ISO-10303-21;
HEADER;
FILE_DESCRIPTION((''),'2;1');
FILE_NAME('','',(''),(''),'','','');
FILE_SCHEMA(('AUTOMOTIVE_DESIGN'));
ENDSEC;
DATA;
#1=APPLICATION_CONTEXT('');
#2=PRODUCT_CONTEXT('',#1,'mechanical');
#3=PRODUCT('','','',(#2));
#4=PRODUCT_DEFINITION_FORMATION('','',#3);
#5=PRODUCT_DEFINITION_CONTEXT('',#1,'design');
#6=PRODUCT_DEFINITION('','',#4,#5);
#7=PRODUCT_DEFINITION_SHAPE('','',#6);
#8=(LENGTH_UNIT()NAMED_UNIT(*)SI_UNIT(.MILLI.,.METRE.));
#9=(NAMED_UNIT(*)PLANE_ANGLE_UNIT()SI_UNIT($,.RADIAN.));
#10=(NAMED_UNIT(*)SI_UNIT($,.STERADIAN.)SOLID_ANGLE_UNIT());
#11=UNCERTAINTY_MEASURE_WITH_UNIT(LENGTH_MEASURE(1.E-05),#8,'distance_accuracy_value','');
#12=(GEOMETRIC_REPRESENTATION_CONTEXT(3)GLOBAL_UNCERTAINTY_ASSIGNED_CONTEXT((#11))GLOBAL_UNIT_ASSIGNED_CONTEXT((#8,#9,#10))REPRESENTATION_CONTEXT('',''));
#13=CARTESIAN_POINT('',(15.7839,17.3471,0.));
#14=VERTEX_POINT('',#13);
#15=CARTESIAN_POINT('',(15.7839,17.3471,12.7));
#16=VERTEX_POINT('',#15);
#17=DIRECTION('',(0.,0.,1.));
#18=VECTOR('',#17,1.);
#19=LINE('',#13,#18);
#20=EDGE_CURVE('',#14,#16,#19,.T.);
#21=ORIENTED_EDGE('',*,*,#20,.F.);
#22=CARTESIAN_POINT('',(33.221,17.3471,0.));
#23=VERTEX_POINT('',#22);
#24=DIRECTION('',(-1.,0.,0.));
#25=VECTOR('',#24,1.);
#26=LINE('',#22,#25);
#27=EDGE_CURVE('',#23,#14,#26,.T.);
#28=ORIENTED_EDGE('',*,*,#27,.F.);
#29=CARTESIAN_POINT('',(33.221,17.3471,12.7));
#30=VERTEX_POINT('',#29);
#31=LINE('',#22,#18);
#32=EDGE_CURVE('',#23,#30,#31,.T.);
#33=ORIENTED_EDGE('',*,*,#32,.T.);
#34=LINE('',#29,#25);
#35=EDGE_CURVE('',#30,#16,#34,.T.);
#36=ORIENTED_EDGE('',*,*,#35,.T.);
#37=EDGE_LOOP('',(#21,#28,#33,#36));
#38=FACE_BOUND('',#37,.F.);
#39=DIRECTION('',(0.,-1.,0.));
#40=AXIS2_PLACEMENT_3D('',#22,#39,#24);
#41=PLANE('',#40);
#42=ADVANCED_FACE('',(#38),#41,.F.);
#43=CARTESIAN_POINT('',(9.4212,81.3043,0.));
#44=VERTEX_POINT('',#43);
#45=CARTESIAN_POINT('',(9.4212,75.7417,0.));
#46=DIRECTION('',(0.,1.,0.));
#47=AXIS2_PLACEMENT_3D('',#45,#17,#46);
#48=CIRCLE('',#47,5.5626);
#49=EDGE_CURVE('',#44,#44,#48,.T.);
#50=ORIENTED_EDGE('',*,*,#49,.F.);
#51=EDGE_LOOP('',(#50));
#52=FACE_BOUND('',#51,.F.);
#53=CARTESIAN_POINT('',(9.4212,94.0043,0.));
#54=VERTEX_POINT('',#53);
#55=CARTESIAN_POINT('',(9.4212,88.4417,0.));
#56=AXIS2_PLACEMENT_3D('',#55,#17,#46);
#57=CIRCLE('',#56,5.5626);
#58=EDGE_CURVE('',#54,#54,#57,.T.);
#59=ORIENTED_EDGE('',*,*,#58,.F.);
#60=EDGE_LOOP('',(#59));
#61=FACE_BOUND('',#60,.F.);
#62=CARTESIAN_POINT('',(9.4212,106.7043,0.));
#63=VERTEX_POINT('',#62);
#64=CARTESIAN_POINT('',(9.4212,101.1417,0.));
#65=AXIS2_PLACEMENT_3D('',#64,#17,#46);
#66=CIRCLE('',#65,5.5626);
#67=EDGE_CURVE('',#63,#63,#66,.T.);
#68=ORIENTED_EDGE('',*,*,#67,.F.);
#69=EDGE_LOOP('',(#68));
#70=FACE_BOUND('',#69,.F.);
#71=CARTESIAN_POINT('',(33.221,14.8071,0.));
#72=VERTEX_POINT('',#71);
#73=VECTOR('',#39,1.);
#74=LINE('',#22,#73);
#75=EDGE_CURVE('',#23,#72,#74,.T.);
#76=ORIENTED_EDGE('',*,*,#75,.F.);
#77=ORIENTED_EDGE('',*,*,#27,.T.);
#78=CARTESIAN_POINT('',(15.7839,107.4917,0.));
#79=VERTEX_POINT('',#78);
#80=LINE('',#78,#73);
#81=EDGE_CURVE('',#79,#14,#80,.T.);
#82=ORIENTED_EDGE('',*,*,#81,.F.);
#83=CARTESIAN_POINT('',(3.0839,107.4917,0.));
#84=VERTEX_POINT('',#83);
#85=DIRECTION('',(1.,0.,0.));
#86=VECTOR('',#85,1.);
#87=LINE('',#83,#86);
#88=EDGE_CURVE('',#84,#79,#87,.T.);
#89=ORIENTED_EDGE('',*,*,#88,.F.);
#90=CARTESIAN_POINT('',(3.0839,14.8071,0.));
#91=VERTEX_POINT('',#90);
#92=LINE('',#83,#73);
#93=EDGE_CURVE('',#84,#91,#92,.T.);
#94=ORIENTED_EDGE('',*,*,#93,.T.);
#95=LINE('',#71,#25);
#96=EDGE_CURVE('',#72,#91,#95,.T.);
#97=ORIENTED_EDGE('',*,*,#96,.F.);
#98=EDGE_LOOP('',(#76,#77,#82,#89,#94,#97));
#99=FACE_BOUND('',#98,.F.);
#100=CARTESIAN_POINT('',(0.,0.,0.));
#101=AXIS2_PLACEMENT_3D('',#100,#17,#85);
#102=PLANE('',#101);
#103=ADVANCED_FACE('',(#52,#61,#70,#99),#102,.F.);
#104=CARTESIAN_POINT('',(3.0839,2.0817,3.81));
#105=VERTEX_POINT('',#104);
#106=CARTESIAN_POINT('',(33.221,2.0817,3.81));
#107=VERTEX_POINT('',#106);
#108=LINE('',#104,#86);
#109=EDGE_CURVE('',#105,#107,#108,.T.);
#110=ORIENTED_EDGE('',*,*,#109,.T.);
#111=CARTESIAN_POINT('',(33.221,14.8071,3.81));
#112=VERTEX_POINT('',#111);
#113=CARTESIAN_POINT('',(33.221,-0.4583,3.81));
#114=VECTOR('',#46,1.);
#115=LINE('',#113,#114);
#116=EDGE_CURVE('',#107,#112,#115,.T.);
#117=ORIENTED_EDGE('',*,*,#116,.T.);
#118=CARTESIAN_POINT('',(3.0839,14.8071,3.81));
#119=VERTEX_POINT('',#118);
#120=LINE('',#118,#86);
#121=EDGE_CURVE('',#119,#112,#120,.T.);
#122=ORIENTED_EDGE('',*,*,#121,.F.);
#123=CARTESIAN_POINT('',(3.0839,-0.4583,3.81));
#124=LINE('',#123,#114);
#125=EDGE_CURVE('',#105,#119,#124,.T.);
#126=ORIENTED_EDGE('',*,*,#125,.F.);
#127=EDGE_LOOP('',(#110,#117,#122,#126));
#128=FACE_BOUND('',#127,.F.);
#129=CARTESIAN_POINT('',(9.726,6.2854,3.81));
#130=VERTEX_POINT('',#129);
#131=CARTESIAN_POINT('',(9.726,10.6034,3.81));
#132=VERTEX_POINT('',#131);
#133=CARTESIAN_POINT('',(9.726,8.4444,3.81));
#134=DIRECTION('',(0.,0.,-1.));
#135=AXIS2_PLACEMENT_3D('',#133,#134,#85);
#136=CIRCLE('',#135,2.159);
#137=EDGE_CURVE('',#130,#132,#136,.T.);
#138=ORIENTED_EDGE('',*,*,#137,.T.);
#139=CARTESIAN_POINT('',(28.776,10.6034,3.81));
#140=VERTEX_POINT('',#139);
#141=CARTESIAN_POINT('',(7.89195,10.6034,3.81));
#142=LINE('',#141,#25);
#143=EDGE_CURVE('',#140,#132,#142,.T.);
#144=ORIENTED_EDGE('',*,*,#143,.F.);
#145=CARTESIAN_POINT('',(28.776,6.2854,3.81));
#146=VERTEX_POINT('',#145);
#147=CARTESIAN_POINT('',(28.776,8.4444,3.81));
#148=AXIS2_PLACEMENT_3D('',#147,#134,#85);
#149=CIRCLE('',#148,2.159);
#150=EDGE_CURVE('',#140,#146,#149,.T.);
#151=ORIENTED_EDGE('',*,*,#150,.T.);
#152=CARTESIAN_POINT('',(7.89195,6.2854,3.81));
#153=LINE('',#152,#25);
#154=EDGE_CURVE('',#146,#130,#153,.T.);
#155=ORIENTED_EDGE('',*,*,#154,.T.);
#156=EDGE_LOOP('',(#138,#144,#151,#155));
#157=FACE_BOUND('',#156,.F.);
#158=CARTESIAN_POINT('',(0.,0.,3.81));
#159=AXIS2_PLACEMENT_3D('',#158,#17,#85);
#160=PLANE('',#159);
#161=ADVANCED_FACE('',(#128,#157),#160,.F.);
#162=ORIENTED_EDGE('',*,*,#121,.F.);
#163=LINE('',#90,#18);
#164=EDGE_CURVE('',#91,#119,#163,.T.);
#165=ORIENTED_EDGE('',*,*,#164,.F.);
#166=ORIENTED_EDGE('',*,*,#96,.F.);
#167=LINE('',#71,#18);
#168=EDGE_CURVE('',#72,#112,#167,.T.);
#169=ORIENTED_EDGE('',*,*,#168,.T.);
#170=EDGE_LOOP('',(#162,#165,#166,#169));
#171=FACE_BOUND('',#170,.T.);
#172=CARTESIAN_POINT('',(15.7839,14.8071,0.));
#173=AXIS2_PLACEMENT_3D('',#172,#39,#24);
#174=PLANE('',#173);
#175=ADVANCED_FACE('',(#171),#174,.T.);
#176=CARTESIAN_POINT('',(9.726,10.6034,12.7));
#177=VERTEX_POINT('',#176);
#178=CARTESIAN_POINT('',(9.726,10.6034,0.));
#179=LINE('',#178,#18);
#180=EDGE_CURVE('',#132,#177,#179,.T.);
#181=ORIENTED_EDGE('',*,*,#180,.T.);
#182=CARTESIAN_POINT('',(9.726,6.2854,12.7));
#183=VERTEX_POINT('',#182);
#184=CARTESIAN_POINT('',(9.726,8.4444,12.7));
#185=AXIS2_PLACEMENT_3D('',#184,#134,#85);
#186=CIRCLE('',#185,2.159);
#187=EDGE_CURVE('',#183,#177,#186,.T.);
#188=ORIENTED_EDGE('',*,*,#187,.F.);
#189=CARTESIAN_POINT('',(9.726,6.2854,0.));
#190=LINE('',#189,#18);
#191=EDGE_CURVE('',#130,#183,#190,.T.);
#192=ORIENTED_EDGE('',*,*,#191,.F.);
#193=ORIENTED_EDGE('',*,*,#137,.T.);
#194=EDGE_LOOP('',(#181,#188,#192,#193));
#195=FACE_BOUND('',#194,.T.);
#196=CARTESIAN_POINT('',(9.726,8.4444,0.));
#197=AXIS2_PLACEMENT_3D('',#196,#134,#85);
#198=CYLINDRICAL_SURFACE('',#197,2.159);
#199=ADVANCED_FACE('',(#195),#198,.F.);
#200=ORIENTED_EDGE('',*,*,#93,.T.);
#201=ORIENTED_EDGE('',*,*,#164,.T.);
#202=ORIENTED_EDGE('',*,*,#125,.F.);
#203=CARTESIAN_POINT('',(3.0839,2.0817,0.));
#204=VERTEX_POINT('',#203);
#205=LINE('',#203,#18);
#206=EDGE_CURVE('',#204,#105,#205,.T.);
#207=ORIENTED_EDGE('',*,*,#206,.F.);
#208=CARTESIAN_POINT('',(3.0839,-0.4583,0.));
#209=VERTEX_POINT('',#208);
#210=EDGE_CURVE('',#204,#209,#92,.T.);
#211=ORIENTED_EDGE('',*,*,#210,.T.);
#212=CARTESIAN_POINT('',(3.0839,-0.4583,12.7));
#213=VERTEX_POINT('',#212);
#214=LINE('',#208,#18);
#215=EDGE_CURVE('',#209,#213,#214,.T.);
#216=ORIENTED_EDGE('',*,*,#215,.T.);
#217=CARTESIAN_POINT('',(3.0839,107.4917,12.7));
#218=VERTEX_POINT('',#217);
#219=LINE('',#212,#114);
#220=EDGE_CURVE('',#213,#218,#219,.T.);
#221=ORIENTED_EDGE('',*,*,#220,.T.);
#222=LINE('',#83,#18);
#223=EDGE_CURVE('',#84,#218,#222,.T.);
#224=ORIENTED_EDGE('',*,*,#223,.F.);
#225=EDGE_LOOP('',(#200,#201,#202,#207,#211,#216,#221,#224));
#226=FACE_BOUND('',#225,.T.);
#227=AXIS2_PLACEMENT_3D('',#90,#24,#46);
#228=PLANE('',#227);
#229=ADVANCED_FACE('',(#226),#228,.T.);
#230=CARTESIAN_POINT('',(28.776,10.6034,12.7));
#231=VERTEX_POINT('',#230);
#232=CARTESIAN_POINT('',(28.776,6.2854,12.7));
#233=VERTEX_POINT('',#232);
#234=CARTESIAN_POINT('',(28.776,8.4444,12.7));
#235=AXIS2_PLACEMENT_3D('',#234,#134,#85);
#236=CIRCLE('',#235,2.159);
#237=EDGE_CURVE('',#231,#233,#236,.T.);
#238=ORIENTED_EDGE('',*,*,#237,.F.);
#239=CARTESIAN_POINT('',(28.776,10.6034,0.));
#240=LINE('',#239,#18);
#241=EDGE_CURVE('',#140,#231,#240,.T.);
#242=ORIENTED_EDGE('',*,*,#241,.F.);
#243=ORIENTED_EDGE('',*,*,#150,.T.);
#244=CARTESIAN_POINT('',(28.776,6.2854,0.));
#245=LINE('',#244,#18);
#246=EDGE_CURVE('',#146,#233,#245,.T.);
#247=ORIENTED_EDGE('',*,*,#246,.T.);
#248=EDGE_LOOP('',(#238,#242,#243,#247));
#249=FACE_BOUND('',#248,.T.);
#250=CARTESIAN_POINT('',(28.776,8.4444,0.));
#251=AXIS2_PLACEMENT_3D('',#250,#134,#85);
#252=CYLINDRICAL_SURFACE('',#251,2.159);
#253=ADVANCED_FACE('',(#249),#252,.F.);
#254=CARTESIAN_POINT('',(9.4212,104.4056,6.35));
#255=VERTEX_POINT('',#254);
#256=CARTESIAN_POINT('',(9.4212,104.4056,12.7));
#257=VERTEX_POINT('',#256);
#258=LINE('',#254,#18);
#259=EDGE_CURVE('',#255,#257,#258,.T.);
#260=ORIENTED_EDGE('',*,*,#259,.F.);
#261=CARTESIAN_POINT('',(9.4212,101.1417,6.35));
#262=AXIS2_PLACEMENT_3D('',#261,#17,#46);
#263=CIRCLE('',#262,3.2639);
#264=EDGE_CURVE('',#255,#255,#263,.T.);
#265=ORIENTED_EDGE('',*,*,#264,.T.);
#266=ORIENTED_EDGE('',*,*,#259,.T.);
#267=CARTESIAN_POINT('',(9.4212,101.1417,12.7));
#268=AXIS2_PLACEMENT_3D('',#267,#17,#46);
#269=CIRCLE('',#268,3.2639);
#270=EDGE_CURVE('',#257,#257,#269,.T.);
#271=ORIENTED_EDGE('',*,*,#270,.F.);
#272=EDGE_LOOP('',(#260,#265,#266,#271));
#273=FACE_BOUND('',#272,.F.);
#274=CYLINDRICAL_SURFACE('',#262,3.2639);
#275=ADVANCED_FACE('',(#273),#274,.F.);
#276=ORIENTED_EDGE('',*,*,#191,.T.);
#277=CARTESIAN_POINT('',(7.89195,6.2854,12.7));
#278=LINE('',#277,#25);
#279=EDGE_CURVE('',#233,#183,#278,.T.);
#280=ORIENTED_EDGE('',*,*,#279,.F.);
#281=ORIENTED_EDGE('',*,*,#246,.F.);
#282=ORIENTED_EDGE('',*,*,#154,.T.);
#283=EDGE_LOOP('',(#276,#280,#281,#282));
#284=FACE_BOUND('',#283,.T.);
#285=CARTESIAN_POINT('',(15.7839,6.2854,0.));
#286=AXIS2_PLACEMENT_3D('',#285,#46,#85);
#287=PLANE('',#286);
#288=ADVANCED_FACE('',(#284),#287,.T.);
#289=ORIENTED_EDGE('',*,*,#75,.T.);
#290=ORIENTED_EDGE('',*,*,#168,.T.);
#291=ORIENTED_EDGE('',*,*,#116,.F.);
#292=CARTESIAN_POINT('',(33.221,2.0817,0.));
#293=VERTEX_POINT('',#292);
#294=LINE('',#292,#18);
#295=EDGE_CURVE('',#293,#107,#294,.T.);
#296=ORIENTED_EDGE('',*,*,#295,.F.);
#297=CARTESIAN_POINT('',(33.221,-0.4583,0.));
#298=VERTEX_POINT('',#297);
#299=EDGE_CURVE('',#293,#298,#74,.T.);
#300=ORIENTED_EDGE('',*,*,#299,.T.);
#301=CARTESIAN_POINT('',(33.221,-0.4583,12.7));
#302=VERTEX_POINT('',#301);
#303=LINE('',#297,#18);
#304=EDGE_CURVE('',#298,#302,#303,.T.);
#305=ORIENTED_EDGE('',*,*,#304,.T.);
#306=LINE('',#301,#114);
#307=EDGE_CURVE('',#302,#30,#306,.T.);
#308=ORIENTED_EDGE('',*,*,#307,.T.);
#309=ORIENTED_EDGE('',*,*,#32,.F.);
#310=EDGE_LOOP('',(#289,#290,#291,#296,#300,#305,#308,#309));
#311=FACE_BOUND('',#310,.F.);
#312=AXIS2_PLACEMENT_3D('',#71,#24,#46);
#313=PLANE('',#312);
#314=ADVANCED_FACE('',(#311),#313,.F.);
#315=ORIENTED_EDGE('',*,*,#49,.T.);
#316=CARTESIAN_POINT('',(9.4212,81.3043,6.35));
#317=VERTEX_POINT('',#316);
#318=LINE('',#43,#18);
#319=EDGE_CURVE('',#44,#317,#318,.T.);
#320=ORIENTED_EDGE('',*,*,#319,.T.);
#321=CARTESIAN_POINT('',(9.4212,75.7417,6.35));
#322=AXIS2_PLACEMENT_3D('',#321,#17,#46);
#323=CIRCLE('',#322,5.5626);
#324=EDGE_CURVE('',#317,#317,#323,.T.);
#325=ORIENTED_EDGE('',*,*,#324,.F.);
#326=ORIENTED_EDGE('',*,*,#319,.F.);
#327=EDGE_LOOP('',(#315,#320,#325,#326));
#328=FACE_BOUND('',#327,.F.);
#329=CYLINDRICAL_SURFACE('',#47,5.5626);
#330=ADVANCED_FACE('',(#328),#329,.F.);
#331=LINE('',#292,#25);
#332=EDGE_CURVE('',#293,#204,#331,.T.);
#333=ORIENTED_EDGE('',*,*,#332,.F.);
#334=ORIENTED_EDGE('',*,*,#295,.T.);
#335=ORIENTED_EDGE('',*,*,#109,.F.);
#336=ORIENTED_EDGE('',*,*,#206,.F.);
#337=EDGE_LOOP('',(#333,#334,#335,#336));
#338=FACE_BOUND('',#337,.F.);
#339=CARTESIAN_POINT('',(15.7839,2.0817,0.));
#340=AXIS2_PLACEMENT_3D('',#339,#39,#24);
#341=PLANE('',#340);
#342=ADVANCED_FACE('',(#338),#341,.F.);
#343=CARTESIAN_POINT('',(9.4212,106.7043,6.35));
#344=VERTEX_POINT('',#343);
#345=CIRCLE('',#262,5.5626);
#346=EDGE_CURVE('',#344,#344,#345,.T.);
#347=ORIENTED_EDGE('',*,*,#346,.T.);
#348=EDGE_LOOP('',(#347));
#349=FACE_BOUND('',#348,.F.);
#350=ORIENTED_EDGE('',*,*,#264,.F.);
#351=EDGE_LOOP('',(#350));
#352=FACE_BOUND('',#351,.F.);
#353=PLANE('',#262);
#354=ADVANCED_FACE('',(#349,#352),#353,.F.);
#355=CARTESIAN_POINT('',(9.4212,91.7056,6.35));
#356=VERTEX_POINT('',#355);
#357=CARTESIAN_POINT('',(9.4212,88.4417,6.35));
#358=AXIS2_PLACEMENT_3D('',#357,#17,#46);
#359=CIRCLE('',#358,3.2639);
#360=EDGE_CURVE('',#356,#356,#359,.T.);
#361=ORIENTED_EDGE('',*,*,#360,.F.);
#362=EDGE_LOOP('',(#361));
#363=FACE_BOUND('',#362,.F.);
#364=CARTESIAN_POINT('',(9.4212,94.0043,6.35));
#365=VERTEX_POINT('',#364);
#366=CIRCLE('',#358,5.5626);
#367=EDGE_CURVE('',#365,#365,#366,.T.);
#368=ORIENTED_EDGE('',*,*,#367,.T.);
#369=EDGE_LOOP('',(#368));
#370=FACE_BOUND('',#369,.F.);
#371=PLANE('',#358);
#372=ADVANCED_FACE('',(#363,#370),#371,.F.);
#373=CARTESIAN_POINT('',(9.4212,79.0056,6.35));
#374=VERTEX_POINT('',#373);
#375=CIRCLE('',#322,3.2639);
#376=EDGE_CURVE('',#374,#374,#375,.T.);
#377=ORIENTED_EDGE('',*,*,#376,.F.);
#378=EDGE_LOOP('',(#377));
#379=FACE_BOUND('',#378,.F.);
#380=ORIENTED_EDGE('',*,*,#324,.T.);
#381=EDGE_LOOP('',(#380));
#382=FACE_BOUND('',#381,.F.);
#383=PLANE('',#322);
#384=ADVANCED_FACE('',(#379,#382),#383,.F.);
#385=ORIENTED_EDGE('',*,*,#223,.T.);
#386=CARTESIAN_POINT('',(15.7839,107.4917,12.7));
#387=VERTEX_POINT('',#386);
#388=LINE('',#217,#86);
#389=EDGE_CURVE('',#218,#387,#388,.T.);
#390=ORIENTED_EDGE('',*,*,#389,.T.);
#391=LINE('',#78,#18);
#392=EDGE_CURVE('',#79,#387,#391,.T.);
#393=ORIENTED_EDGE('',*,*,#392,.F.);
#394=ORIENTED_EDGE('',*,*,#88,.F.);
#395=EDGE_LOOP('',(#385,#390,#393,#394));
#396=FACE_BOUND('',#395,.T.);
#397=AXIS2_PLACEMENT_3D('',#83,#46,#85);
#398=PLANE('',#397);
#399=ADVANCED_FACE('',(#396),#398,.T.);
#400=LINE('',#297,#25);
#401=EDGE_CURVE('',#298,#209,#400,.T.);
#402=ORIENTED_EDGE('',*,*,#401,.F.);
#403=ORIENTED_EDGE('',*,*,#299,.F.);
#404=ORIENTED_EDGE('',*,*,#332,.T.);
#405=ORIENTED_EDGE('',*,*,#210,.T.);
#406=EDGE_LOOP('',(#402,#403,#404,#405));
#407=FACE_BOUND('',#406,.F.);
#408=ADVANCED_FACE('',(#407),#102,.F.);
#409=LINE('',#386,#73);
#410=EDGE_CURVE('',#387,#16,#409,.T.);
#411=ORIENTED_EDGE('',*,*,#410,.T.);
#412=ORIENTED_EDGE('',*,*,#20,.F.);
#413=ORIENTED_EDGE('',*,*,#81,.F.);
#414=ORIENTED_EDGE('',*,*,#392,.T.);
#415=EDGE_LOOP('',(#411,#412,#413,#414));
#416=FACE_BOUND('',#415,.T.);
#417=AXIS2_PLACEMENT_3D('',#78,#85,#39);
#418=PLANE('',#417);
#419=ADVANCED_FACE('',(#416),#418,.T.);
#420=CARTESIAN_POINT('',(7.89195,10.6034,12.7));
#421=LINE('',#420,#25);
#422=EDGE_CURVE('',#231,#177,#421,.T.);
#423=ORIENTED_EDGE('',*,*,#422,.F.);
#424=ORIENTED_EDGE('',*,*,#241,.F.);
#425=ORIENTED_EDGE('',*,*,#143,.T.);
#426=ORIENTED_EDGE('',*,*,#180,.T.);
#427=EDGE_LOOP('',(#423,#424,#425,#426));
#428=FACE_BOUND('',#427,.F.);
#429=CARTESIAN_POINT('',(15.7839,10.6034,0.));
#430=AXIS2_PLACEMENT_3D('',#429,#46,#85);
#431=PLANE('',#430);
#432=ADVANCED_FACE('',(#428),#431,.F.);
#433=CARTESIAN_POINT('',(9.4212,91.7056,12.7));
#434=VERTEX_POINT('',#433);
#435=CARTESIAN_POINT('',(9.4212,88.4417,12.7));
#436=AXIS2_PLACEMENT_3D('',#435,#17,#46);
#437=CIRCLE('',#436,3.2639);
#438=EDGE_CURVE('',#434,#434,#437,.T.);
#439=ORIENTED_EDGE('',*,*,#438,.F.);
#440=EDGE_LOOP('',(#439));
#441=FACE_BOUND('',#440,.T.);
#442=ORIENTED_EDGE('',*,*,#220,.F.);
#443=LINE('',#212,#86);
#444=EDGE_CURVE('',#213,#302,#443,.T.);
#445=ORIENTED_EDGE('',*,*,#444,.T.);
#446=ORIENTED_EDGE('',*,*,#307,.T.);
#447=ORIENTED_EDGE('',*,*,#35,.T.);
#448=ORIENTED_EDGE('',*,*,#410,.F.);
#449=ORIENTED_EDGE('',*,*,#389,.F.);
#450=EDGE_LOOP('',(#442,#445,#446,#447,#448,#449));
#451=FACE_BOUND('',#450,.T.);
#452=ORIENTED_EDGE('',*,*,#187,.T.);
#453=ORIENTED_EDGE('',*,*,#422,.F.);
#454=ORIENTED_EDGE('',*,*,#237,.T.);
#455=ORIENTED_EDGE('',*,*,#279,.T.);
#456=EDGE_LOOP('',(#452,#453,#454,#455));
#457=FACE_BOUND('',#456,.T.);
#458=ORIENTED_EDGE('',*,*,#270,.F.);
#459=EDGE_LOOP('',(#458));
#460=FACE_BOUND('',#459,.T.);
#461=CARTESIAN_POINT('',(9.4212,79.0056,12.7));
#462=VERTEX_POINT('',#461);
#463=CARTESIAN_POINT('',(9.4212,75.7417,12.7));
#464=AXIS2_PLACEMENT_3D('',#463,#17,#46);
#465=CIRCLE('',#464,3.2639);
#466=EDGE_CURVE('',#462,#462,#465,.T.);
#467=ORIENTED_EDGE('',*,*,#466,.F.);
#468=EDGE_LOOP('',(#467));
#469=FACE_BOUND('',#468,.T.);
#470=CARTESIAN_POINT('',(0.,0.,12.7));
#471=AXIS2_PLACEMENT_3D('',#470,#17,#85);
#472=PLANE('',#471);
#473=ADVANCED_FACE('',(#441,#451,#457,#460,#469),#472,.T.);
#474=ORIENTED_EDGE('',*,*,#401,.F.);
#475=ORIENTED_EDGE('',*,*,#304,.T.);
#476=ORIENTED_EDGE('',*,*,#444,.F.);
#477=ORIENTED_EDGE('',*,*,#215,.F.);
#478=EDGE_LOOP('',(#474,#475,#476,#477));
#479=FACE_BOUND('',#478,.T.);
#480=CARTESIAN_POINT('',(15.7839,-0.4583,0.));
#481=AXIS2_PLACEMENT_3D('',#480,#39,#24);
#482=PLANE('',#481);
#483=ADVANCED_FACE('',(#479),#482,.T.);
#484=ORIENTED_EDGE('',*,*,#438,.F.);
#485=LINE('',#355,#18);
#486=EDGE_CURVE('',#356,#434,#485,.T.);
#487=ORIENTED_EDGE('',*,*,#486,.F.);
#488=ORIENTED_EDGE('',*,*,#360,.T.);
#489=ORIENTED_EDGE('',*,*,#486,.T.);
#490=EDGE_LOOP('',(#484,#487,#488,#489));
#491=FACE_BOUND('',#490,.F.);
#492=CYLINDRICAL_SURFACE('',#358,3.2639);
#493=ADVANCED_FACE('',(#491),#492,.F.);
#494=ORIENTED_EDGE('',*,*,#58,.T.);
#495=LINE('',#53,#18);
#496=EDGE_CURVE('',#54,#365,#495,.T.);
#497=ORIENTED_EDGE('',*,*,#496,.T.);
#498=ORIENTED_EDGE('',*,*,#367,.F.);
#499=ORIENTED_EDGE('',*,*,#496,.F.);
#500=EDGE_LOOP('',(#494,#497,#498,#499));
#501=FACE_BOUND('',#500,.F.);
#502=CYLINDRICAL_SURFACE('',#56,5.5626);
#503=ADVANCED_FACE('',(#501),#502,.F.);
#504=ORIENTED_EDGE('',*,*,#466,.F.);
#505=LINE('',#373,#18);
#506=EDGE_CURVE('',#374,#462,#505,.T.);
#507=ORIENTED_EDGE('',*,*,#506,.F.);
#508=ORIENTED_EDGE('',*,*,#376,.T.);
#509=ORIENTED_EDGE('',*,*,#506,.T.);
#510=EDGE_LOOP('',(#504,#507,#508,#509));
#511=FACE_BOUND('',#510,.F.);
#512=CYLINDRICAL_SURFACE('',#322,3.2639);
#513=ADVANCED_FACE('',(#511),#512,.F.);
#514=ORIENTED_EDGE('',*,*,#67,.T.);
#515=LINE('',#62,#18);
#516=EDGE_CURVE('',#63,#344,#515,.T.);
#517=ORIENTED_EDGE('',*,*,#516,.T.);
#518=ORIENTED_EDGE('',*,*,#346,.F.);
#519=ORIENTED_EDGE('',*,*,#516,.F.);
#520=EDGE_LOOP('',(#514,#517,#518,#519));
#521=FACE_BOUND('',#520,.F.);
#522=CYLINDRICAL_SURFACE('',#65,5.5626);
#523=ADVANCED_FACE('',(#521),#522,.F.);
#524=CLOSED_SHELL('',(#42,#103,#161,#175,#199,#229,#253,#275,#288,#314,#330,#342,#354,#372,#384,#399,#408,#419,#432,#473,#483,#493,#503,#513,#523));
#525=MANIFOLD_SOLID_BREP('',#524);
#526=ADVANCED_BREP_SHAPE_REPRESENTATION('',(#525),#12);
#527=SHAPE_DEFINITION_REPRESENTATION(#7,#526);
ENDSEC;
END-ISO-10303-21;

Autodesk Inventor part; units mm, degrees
ref_plane "YZ Plane" through (0, 0, 0) normal (1, 0, 0) x (0, 1, 0)
ref_plane "XZ Plane" through (0, 0, 0) normal (0, 1, 0) x (-1, 0, 0)
ref_plane "XY Plane" through (0, 0, 0) normal (0, 0, 1) x (1, 0, 0)
sketch "Sketch1" plane through (0, 0, 0) normal (0, 0, 1) x (1, 0, 0)
  line L0 (3.0839, 107.4917) -> (15.7839, 107.4917)
  line L1 (15.7839, 107.4917) -> (15.7839, -0.4583)
  line L2 (15.7839, -0.4583) -> (3.0839, -0.4583)
  line L3 (3.0839, -0.4583) -> (3.0839, 107.4917)
  line L4 (33.221, 2.0817) -> (3.0839, 2.0817)
  line L5 (33.221, 14.8071) -> (3.0839, 14.8071)
  line L6 (15.7839, -0.4583) -> (33.221, -0.4583)
  line L7 (33.221, -0.4583) -> (33.221, 17.3471)
  line L8 (33.221, 17.3471) -> (15.7839, 17.3471)
  circle A0 centre (28.776, 8.4444) radius 2.159
  circle A1 centre (9.726, 8.4444) radius 2.159
  line L9 (9.726, 6.2854) -> (28.776, 6.2854)
  line L10 (9.726, 10.6034) -> (28.776, 10.6034)
  point P0 (9.4212, 101.1417)
  point P1 (9.4212, 88.4417)
  point P2 (9.4212, 75.7417)
  point P3 (15.7839, 2.0817)
  point P4 (15.7839, 14.8071)
  dimension "d0" = 12.7
  dimension "d1" = 107.95
  dimension "d2" = 6.35
  dimension "d3" = 12.7
  dimension "d4" = 6.3626
  dimension "d5" = 6.3626
  dimension "d6" = 6.3626
  dimension "d7" = 12.7
  dimension "d17" = 2.54
  dimension "d18" = 12.7254
  dimension "d21" = 17.4371
  dimension "d22" = 2.54
  dimension "d23" = 4.318
  dimension "d24" = 6.3627
  dimension "d25" = 4.445
  dimension "d26" = 4.318
  dimension "d27" = 6.3627
  dimension "d28" = 19.05
extrude "Extrusion1" add sketch "Sketch1" along normal blind 12.7
hole "Hole1" at (9.4212, 101.1417, 0) at (9.4212, 88.4417, 0) at (9.4212, 75.7417, 0) direction (0, 0, 1) diameter 6.5278 end through all counterbore diameter 11.1252 counterbore depth 6.35 clearance for "Socket Head Cap Screw" size "1/4" standard "Ansi Unified Screw Threads"
extrude "Extrusion2" cut sketch "Sketch1" along normal blind 3.81 contours L5 L1 L10 A1 L9 L4 L3 | L5 L7 L4 L1 L9 A0 L10 | L10 A0 L9 L1 | L1 L9 A1 L10 | A1 | A0
extrude "Extrusion3" cut sketch "Sketch1" along normal through all contours L10 A0 L9 L1 | L1 L9 A1 L10 | A1 | A0
equation "\"d29\" = d27"
properties part number "J005772" material "STAINLESS STEEL, 17-4, H900"
